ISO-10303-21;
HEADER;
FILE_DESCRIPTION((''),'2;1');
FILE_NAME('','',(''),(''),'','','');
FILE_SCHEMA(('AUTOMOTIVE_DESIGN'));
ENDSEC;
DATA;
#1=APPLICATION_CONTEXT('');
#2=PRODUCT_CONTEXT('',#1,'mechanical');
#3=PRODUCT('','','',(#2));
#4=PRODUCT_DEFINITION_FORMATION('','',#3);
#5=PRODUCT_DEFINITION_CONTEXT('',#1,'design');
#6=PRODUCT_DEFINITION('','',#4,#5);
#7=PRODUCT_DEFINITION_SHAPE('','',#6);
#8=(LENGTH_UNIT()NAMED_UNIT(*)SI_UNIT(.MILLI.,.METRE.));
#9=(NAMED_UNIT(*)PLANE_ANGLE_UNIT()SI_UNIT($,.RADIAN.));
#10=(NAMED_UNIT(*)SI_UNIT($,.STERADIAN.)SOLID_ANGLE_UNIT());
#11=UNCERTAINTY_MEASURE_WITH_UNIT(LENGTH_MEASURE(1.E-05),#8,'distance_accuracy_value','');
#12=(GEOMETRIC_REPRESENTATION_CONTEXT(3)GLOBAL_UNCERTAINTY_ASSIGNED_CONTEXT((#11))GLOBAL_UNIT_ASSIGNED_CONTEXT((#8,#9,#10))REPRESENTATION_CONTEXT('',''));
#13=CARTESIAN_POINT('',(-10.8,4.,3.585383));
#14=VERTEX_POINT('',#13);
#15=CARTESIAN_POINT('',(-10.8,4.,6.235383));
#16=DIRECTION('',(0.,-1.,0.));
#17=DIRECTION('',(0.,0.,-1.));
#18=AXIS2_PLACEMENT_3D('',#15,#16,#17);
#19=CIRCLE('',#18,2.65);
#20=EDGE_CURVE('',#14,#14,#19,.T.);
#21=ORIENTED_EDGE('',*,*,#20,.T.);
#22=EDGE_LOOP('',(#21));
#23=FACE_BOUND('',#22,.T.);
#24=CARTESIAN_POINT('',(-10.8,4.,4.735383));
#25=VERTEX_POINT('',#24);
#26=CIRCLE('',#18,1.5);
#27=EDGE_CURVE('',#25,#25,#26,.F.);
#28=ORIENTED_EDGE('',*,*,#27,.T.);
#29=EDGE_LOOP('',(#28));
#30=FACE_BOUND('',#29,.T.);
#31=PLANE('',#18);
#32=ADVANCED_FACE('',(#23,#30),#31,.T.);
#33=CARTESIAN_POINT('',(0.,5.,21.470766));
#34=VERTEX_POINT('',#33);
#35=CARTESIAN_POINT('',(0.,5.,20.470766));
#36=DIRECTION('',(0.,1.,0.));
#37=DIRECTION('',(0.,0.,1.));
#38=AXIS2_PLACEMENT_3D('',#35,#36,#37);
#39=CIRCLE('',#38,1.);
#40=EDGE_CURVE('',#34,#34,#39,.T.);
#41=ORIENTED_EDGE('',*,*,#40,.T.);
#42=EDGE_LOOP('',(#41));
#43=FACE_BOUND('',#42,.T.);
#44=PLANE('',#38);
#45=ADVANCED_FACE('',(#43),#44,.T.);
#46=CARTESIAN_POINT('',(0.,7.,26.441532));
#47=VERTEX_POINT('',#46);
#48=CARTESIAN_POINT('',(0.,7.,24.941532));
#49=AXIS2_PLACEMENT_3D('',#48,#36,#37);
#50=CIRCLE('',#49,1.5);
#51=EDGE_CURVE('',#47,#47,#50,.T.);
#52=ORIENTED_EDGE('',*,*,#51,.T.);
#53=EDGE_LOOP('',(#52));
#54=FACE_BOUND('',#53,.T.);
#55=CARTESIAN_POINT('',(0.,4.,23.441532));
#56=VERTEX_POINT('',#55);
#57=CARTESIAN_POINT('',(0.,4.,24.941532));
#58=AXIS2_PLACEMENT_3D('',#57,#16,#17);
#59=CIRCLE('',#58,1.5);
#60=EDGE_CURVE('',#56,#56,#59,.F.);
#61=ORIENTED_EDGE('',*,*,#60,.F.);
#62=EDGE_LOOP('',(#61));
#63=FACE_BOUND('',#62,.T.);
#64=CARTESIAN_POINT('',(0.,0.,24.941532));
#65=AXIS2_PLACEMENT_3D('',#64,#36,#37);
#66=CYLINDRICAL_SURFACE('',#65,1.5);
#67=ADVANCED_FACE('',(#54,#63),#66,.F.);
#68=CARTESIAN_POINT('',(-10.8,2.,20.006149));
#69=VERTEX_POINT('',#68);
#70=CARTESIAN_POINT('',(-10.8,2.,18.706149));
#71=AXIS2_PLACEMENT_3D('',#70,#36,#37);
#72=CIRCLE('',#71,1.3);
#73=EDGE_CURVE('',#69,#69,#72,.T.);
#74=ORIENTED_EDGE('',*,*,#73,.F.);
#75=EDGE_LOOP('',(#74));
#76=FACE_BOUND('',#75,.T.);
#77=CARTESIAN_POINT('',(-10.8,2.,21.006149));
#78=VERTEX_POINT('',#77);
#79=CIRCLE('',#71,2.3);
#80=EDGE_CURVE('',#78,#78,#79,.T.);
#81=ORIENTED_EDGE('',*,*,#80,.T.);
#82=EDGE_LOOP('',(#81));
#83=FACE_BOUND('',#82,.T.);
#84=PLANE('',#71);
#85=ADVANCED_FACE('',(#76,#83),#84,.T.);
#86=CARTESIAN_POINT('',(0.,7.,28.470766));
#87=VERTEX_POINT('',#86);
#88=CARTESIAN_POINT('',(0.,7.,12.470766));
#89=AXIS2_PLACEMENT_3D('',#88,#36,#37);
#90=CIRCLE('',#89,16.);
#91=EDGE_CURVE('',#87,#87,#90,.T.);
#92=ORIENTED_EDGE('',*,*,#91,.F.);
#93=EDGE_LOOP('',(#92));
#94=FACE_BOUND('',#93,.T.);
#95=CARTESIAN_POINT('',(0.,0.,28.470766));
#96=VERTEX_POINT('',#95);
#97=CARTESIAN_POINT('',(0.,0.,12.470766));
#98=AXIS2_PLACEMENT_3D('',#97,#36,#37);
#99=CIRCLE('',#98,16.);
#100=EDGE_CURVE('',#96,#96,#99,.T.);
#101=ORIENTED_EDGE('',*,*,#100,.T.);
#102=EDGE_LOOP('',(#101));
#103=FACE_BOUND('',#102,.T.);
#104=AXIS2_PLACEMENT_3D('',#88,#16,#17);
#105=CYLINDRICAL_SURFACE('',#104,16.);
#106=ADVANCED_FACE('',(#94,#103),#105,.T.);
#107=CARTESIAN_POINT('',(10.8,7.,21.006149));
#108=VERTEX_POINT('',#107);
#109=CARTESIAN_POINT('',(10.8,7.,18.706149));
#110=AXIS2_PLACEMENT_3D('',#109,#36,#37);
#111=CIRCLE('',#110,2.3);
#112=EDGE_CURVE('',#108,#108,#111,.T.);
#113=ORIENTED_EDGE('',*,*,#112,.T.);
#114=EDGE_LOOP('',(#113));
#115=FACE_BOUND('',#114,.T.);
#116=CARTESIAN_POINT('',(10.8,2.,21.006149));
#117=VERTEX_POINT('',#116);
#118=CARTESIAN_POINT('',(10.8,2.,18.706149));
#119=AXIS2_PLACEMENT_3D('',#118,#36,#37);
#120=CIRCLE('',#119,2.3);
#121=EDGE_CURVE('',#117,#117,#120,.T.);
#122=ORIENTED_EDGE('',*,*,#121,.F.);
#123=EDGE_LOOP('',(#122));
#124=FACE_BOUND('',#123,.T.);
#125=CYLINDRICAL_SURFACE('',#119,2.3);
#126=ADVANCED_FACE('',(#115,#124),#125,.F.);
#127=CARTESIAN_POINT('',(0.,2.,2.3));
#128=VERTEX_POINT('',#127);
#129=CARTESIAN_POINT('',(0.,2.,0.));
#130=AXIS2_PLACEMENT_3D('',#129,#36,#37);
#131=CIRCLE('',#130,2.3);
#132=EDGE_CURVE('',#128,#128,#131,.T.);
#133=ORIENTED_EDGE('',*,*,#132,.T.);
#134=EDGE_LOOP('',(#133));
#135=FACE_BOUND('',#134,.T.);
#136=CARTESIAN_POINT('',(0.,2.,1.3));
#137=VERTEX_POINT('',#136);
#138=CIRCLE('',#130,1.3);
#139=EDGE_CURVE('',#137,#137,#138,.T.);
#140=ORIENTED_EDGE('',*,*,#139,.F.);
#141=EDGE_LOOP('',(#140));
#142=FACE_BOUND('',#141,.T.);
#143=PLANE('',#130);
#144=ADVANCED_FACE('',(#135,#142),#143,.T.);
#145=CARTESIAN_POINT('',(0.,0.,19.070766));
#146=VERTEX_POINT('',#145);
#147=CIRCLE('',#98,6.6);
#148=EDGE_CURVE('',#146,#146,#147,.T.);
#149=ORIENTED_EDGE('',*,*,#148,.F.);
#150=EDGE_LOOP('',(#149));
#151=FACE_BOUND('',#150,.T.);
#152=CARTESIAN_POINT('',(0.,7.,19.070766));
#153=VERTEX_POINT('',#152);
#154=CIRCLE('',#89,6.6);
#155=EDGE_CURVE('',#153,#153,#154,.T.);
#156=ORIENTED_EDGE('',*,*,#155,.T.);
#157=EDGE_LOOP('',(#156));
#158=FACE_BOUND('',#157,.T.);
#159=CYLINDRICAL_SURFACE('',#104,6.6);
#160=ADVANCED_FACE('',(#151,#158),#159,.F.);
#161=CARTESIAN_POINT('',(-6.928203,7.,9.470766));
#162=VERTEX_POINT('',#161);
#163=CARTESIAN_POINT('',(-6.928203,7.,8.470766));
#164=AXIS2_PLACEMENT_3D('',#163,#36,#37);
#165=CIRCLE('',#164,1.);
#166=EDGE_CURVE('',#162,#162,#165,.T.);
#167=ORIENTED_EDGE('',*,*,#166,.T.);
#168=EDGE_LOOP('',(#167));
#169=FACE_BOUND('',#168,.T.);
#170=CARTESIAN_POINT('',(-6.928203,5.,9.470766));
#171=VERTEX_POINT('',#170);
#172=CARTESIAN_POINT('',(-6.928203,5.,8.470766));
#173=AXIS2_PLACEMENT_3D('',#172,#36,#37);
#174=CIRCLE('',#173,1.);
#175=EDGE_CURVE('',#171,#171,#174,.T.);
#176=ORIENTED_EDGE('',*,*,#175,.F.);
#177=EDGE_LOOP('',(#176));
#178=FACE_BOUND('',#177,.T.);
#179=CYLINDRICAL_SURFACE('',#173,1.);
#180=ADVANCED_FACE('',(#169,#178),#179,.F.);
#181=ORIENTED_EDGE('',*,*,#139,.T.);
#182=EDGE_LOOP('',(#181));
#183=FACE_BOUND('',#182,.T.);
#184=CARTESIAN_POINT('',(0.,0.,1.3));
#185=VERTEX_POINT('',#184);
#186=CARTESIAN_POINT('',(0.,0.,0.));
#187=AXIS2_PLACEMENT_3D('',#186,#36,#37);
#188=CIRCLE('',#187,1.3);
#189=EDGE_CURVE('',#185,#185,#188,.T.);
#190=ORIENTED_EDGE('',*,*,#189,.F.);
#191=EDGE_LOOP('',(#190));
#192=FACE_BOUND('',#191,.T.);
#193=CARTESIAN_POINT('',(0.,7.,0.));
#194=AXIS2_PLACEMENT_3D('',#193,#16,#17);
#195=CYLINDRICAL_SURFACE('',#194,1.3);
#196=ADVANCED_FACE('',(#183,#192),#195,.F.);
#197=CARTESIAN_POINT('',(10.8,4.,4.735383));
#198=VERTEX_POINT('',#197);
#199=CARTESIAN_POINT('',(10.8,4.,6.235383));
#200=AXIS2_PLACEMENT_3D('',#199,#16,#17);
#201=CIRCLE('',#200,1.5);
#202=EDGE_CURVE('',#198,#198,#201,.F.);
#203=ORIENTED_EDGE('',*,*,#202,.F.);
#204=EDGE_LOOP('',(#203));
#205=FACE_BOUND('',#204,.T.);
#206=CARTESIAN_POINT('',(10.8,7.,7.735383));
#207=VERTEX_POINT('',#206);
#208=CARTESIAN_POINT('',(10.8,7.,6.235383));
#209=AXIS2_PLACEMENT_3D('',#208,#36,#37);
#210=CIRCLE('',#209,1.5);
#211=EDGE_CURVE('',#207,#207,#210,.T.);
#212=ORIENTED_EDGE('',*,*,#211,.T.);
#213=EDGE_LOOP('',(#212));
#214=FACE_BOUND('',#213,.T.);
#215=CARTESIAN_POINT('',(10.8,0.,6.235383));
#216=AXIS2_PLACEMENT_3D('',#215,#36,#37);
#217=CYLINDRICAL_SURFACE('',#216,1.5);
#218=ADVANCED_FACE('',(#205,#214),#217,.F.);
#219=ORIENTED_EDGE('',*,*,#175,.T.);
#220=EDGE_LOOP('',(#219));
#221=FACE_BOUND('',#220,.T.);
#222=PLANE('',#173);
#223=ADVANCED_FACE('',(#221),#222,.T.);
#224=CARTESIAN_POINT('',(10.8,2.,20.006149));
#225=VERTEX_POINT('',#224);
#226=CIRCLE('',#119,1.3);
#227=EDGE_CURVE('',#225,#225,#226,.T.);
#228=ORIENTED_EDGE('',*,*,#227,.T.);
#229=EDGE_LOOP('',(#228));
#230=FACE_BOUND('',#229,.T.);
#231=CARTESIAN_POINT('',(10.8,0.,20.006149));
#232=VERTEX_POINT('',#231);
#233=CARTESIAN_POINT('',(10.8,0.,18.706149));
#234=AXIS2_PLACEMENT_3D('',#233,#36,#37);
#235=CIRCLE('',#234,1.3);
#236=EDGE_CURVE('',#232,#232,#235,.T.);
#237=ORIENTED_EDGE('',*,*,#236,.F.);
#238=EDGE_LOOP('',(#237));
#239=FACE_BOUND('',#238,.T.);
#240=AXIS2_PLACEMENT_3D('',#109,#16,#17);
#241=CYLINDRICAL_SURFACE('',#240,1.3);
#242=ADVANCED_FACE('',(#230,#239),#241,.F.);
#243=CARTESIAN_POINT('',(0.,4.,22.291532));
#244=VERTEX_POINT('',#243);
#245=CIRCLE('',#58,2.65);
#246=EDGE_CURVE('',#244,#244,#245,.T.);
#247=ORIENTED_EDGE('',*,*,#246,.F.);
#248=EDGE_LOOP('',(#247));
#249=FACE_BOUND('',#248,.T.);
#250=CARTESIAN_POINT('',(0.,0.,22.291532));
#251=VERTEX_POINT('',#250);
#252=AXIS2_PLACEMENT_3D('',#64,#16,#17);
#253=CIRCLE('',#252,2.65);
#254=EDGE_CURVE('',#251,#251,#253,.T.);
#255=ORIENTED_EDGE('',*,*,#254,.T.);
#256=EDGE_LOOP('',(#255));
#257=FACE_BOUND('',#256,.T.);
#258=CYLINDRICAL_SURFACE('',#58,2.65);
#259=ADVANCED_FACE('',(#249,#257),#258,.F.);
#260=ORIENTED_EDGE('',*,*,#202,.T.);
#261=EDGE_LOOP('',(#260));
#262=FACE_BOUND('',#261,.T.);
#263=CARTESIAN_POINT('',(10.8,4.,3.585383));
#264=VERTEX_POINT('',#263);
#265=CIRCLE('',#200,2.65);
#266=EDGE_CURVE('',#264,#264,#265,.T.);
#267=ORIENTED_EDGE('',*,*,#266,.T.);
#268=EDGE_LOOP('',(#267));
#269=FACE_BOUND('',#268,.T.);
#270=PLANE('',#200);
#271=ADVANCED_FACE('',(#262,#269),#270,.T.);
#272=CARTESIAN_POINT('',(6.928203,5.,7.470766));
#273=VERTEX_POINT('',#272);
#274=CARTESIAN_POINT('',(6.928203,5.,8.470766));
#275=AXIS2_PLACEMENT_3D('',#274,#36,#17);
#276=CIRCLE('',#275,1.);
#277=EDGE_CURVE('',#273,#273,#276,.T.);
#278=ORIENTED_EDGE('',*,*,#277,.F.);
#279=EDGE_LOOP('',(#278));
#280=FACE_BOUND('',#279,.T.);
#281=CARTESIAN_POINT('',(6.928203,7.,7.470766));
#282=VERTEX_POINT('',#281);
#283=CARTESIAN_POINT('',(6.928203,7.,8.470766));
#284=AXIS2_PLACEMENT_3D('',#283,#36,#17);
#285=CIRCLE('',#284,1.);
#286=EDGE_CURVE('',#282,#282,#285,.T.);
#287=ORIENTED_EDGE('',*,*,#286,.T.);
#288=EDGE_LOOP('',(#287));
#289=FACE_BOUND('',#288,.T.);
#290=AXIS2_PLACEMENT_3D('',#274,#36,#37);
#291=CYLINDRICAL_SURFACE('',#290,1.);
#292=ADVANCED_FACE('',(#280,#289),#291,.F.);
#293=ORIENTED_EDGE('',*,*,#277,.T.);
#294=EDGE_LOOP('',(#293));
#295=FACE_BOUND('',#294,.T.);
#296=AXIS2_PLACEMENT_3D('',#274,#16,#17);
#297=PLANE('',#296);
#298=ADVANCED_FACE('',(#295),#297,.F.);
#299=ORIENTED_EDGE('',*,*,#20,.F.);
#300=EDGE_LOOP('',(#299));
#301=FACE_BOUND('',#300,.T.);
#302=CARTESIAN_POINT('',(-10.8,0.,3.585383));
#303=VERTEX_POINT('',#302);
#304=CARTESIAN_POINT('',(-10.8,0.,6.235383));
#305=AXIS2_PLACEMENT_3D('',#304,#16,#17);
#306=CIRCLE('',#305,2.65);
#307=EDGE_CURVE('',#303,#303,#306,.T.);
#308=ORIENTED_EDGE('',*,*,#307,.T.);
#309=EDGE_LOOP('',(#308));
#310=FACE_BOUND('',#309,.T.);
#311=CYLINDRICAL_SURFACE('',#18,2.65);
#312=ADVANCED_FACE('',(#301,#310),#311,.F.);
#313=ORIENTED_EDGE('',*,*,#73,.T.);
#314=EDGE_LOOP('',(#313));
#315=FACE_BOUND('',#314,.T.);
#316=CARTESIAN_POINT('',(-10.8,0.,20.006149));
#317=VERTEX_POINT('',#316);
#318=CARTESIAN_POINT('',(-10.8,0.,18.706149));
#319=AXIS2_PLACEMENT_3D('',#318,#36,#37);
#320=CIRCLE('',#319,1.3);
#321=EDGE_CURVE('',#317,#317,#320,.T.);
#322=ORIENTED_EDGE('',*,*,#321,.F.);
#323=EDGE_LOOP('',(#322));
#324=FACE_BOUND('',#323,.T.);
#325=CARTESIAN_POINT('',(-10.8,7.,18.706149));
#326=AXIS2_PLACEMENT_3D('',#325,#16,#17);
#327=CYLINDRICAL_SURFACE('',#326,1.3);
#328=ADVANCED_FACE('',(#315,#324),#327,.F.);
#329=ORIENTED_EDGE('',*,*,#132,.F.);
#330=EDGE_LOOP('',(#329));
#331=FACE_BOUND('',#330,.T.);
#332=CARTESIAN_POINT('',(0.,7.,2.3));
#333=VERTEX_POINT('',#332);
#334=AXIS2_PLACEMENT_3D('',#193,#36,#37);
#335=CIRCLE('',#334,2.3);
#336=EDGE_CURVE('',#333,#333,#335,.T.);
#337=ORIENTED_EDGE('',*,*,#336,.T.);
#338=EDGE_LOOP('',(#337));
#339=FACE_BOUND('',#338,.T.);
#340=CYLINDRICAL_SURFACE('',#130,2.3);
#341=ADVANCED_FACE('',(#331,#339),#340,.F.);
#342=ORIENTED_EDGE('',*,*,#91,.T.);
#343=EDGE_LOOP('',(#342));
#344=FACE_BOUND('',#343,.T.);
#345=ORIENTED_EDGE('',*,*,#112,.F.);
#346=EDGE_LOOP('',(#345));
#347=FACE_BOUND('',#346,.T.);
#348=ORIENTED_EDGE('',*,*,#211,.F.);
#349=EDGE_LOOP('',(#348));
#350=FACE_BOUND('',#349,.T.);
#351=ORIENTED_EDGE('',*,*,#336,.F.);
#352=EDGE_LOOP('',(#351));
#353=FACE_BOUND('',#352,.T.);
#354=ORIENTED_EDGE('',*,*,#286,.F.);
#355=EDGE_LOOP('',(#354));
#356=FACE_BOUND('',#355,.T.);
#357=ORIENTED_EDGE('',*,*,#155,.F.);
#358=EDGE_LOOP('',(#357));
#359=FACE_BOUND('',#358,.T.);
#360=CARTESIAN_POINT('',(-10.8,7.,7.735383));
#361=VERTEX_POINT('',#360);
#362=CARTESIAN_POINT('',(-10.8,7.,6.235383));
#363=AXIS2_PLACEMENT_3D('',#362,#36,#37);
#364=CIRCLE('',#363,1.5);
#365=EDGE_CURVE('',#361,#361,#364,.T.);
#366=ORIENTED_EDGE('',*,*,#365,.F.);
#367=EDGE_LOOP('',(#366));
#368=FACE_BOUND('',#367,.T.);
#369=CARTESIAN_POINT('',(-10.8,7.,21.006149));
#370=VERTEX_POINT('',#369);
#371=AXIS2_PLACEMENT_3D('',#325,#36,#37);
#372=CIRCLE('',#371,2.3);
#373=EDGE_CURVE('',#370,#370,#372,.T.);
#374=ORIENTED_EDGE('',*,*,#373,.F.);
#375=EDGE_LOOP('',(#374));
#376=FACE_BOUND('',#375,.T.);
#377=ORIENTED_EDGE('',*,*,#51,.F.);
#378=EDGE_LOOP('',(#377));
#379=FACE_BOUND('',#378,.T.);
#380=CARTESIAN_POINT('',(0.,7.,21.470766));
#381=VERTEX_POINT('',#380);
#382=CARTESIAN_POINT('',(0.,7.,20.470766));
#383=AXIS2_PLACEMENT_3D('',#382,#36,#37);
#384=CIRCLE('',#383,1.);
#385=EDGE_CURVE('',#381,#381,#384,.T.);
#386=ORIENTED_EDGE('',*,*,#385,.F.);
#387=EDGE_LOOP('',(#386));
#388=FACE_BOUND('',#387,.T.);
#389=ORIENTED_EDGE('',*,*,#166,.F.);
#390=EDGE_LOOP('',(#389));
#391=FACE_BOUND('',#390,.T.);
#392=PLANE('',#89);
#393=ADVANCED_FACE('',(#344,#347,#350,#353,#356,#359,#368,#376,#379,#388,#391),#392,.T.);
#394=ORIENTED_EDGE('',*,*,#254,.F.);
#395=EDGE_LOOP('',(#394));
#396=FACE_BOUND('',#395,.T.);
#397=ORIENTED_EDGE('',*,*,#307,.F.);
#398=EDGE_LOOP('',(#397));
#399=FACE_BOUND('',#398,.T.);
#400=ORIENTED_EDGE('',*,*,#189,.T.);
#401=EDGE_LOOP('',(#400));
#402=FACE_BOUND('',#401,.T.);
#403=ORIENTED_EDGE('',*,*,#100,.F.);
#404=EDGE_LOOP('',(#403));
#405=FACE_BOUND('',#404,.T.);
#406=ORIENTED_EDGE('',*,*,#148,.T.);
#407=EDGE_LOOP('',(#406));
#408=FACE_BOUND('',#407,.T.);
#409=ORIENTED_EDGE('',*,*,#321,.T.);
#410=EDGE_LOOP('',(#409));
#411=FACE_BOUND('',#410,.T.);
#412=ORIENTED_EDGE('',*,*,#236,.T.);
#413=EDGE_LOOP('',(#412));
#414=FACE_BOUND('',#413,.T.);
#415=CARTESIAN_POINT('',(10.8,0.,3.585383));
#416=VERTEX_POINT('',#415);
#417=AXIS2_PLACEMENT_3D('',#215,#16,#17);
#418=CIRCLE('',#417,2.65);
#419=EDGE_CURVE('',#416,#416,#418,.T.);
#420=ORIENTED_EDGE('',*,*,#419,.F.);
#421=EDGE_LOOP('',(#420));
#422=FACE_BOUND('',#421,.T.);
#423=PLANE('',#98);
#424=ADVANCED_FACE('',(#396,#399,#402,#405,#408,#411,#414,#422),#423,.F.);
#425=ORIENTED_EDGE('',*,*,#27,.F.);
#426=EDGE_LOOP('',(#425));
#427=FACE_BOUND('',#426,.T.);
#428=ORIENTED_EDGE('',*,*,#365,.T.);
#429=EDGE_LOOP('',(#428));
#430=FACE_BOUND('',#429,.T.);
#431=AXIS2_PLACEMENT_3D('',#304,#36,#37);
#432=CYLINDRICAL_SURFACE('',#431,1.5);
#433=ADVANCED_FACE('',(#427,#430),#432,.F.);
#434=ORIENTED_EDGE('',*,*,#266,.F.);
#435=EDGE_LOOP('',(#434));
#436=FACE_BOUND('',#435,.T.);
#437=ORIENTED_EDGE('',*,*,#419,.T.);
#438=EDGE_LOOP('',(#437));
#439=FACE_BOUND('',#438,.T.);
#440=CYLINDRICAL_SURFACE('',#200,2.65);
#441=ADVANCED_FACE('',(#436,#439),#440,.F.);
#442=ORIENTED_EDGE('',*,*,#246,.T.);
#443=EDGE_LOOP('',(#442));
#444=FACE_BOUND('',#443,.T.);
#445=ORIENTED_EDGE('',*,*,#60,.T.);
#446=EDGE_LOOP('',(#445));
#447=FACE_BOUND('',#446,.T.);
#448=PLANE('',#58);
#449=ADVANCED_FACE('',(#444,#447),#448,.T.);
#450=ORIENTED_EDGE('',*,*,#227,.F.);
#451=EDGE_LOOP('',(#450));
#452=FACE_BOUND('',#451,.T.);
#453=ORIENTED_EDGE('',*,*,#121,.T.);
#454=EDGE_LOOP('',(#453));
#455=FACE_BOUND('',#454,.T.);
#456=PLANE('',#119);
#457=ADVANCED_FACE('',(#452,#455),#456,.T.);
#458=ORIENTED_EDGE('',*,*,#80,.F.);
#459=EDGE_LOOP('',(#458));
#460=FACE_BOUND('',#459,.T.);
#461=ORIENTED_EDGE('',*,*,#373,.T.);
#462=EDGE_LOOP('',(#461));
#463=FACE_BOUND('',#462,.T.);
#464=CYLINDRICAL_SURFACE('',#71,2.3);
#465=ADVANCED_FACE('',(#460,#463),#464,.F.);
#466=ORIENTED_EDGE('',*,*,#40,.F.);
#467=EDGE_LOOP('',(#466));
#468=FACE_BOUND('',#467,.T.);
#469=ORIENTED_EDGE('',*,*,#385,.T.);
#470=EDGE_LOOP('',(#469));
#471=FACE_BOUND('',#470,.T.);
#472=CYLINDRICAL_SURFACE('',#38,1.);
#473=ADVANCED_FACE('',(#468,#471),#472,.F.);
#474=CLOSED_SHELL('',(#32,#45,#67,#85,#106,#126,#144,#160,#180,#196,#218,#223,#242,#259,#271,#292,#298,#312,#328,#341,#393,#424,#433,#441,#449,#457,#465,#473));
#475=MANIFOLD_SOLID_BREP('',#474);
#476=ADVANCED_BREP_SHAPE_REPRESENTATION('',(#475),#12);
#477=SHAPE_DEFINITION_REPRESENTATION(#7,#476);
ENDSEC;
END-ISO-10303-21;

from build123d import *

# Parameters (mm, degrees)
SKETCH_1_R          = 16
SKETCH_1_R_2        = 6.6
SKETCH_1_R_3        = 1.3
EXTRUDE_1_DEPTH     = 7
SKETCH_2_R          = 2.3
CUT_EXTRUDE_2_DEPTH = 5
SKETCH_4_R          = 1
CUT_EXTRUDE_3_DEPTH = 2
SKETCH_5_R          = 1.5
CUT_EXTRUDE_4_DEPTH = 34.400366855
SKETCH_6_R          = 2.65
CUT_EXTRUDE_5_DEPTH = 4


with BuildPart() as part:
    # 草图1 → 凸台-拉伸1 (new body)
    with BuildSketch(Plane(origin=(0, 0, 0), x_dir=(1, 0, 0), z_dir=(0, 1, 0))):
        with Locations(Location((0, -12.470765814, 0), (0, 0, 270))):
            Circle(SKETCH_1_R)
        with Locations(Location((0, -12.470765814, 0), (0, 0, 270))):
            Circle(SKETCH_1_R_2, mode=Mode.SUBTRACT)
        with Locations(Location((-10.8, -18.706148722, 0), (0, 0, 270))):
            Circle(SKETCH_1_R_3, mode=Mode.SUBTRACT)
        with Locations(Location((10.8, -18.706148722, 0), (0, 0, 270))):
            Circle(SKETCH_1_R_3, mode=Mode.SUBTRACT)
        with Locations(Location((0, 0, 0), (0, 0, 270))):
            Circle(SKETCH_1_R_3, mode=Mode.SUBTRACT)
    extrude(amount=EXTRUDE_1_DEPTH)

    # 草图2 → 切除-拉伸2 (cut)
    with BuildSketch(Plane(origin=(0, 7, 0), x_dir=(1, 0, 0), z_dir=(0, 1, 0))):
        with Locations(Location((-10.8, -18.706148722, 0), (0, 0, 270))):
            Circle(SKETCH_2_R)
        with Locations(Location((10.8, -18.706148722, 0), (0, 0, 270))):
            Circle(SKETCH_2_R)
        with Locations(Location((0, 0, 0), (0, 0, 270))):
            Circle(SKETCH_2_R)
    extrude(amount=-CUT_EXTRUDE_2_DEPTH, mode=Mode.SUBTRACT)

    # 草图4 → 切除-拉伸3 (cut)
    with BuildSketch(Plane(origin=(0, 7, 0), x_dir=(1, 0, 0), z_dir=(0, 1, 0))):
        with Locations(Location((-6.92820323, -8.470765814, 0), (0, 0, 270))):
            Circle(SKETCH_4_R)
        with Locations(Location((6.92820323, -8.470765814, 0), (0, 0, 90))):
            Circle(SKETCH_4_R)
        with Locations(Location((0, -20.470765814, 0), (0, 0, 270))):
            Circle(SKETCH_4_R)
    extrude(amount=-CUT_EXTRUDE_3_DEPTH, mode=Mode.SUBTRACT)

    # 草图5 → 切除-拉伸4 (cut, through all)
    with BuildSketch(Plane(origin=(0, 7, 0), x_dir=(1, 0, 0), z_dir=(0, 1, 0))):
        with Locations(Location((-10.8, -6.235382907, 0), (0, 0, 270))):
            Circle(SKETCH_5_R)
        with Locations(Location((10.8, -6.235382907, 0), (0, 0, 270))):
            Circle(SKETCH_5_R)
        with Locations(Location((0, -24.941531629, 0), (0, 0, 270))):
            Circle(SKETCH_5_R)
    extrude(amount=-CUT_EXTRUDE_4_DEPTH, mode=Mode.SUBTRACT)

    # 草图6 → 切除-拉伸5 (cut)
    with BuildSketch(Plane.XZ):
        with Locations(Location((0, 24.941531629, 0), (0, 0, 270))):
            Circle(SKETCH_6_R)
        with Locations(Location((-10.8, 6.235382907, 0), (0, 0, 270))):
            Circle(SKETCH_6_R)
        with Locations(Location((10.8, 6.235382907, 0), (0, 0, 270))):
            Circle(SKETCH_6_R)
    extrude(amount=-CUT_EXTRUDE_5_DEPTH, mode=Mode.SUBTRACT)


solid = part.part
